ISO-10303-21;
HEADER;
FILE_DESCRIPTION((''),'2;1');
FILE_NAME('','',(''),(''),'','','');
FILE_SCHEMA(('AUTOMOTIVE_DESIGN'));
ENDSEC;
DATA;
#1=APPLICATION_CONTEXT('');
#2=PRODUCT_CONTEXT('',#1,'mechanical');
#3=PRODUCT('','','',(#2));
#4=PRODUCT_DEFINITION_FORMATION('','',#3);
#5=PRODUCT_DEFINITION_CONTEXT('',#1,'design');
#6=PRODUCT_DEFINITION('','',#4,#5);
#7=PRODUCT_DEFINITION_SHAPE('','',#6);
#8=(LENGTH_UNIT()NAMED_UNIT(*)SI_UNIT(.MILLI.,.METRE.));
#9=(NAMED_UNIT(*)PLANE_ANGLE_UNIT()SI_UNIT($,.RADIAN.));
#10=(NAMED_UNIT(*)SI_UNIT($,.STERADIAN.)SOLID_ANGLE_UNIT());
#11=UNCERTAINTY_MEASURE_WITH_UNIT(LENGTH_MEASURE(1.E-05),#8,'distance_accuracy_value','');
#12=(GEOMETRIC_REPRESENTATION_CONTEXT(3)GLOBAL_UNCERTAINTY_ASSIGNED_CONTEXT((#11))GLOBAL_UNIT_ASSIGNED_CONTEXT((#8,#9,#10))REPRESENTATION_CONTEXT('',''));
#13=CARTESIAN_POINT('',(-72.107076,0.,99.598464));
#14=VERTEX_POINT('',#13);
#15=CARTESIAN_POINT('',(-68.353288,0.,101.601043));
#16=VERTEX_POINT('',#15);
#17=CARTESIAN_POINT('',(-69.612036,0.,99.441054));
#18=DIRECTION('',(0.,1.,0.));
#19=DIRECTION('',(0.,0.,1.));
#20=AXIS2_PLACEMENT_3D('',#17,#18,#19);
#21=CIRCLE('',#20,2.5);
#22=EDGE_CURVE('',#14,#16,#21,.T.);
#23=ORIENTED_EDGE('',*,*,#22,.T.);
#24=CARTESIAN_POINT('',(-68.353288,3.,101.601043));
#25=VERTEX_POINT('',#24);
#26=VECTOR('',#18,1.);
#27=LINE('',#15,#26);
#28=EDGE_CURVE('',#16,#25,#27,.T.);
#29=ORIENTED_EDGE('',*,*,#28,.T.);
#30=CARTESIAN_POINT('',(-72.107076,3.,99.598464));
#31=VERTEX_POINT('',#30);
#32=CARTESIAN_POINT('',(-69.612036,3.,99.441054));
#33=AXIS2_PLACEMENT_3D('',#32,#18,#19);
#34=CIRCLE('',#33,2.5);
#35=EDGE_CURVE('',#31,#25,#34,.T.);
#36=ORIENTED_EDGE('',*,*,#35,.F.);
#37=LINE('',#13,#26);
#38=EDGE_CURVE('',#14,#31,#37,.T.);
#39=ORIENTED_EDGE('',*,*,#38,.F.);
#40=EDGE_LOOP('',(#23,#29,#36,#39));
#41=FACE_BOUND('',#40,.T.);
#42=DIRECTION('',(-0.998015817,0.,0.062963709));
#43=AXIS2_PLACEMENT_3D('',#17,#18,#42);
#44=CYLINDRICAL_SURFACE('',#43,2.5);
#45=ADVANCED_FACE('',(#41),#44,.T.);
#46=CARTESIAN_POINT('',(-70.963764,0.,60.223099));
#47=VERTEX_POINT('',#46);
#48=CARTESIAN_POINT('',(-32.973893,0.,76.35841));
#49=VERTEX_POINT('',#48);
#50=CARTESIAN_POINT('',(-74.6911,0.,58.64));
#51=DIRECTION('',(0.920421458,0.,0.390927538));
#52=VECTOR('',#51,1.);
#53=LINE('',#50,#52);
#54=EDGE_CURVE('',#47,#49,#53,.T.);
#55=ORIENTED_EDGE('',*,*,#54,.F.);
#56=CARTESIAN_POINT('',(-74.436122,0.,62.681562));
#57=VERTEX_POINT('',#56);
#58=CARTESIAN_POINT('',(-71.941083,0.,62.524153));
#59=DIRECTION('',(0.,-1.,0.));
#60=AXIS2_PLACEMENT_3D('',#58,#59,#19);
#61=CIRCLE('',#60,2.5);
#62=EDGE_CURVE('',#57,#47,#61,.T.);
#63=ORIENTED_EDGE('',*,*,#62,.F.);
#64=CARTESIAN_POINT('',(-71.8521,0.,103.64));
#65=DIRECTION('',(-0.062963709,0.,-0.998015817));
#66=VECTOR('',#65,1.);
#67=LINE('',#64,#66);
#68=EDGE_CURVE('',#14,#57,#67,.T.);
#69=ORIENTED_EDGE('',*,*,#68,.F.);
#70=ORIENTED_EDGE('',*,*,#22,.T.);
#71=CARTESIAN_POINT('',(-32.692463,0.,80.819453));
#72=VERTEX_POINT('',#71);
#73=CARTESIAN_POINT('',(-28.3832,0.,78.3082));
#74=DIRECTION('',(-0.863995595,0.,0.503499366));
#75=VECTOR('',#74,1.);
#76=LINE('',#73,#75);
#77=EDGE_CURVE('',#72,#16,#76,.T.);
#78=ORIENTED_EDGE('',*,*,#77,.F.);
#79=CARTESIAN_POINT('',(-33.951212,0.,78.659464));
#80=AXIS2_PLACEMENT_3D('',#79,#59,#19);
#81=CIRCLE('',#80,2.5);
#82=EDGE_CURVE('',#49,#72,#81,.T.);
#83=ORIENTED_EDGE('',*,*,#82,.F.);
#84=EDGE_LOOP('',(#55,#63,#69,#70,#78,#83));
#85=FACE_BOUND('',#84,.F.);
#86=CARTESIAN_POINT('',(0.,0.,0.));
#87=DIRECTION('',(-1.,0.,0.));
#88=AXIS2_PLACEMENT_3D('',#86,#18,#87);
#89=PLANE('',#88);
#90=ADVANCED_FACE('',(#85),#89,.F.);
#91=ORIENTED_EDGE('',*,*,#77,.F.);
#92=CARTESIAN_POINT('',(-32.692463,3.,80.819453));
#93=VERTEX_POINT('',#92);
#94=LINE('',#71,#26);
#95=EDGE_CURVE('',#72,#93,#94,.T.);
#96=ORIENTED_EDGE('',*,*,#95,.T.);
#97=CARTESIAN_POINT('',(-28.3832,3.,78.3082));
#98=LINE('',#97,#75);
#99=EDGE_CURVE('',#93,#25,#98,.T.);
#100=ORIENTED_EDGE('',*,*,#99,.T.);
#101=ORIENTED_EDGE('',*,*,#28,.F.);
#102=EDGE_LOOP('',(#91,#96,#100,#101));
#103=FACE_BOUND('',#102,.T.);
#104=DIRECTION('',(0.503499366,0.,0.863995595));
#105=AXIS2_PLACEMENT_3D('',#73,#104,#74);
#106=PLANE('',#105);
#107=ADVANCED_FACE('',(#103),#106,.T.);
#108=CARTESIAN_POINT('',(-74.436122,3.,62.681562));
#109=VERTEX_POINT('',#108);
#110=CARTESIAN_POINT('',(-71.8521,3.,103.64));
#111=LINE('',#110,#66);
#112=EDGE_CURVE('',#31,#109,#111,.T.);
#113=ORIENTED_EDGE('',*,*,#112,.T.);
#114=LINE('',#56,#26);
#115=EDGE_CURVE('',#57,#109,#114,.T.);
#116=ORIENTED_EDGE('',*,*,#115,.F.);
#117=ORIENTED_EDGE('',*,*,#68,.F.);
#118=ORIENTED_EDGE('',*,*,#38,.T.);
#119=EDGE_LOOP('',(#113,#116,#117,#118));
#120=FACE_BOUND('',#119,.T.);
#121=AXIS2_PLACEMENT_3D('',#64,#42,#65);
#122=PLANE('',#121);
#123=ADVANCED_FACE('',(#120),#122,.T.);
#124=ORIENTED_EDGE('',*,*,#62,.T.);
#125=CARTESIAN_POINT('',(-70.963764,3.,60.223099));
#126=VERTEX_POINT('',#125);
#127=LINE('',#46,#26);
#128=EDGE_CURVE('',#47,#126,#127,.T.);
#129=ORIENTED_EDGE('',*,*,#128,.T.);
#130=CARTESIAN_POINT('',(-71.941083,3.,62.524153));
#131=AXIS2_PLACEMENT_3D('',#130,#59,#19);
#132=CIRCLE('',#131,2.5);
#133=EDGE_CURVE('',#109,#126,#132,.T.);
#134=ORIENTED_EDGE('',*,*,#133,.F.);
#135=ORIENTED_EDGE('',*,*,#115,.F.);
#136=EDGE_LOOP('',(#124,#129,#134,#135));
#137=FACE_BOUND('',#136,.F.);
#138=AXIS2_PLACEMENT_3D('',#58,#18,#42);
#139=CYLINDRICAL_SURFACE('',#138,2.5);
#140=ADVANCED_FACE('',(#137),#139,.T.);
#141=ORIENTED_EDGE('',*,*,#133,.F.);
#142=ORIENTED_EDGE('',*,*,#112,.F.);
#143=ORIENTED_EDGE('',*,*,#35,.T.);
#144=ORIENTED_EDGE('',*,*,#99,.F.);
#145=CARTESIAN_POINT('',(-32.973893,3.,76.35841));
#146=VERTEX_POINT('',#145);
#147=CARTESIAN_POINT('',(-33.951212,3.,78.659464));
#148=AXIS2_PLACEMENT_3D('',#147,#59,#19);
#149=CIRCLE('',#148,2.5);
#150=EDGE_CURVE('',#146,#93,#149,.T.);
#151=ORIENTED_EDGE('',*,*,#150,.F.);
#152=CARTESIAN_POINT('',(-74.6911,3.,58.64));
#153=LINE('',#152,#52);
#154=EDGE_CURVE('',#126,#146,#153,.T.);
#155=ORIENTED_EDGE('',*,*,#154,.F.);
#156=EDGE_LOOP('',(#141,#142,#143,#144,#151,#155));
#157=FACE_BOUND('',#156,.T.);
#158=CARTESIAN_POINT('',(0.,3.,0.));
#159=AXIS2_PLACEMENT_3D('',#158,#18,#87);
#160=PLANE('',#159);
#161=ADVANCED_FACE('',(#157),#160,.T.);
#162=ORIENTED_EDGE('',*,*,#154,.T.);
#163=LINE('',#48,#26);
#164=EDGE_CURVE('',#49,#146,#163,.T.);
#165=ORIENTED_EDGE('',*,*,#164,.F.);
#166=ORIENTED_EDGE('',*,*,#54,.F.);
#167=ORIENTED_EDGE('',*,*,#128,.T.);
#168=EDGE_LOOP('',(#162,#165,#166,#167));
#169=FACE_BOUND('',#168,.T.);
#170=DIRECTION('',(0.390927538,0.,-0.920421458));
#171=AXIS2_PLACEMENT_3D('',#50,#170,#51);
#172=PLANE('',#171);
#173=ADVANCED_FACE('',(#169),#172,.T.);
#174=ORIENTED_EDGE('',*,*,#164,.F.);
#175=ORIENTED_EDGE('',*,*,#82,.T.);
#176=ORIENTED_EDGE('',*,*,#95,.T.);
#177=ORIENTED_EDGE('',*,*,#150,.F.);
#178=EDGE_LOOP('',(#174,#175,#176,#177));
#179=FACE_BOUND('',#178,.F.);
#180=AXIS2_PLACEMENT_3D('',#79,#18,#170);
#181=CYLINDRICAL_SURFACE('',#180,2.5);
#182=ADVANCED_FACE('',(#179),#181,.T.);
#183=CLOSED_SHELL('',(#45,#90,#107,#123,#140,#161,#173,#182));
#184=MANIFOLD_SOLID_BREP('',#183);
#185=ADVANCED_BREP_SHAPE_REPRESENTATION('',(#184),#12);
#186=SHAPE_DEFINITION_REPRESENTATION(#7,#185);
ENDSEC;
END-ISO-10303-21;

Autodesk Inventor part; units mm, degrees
ref_plane "YZ Plane" through (0, 0, 0) normal (1, 0, 0) x (0, 1, 0)
ref_plane "XZ Plane" through (0, 0, 0) normal (0, 1, 0) x (-1, 0, 0)
ref_plane "XY Plane" through (0, 0, 0) normal (0, 0, 1) x (1, 0, 0)
sketch "Skizze1" plane through (0, 0, 0) normal (0, 1, 0) x (-1, 0, 0)
  line L0 (71.8521, 103.64) -> (74.6911, 58.64)
  line L1 (74.6911, 58.64) -> (28.3832, 78.3082)
  line L2 (28.3832, 78.3082) -> (71.8521, 103.64)
  point P0 (0, 0)
  dimension "d16" = 45
  dimension "d17" = 50.3115
  dimension "d18" = 50.3115
extrude "Extrusion2" add sketch "Skizze1" along normal blind 3
fillet "Rundung2" radius 2.5 3 edges at (-71.8521, 1.5, 103.64) (-74.6911, 1.5, 58.64) (-28.3832, 1.5, 78.3082)
properties part number "Vorfahrtsschild_Teil_Oben"
